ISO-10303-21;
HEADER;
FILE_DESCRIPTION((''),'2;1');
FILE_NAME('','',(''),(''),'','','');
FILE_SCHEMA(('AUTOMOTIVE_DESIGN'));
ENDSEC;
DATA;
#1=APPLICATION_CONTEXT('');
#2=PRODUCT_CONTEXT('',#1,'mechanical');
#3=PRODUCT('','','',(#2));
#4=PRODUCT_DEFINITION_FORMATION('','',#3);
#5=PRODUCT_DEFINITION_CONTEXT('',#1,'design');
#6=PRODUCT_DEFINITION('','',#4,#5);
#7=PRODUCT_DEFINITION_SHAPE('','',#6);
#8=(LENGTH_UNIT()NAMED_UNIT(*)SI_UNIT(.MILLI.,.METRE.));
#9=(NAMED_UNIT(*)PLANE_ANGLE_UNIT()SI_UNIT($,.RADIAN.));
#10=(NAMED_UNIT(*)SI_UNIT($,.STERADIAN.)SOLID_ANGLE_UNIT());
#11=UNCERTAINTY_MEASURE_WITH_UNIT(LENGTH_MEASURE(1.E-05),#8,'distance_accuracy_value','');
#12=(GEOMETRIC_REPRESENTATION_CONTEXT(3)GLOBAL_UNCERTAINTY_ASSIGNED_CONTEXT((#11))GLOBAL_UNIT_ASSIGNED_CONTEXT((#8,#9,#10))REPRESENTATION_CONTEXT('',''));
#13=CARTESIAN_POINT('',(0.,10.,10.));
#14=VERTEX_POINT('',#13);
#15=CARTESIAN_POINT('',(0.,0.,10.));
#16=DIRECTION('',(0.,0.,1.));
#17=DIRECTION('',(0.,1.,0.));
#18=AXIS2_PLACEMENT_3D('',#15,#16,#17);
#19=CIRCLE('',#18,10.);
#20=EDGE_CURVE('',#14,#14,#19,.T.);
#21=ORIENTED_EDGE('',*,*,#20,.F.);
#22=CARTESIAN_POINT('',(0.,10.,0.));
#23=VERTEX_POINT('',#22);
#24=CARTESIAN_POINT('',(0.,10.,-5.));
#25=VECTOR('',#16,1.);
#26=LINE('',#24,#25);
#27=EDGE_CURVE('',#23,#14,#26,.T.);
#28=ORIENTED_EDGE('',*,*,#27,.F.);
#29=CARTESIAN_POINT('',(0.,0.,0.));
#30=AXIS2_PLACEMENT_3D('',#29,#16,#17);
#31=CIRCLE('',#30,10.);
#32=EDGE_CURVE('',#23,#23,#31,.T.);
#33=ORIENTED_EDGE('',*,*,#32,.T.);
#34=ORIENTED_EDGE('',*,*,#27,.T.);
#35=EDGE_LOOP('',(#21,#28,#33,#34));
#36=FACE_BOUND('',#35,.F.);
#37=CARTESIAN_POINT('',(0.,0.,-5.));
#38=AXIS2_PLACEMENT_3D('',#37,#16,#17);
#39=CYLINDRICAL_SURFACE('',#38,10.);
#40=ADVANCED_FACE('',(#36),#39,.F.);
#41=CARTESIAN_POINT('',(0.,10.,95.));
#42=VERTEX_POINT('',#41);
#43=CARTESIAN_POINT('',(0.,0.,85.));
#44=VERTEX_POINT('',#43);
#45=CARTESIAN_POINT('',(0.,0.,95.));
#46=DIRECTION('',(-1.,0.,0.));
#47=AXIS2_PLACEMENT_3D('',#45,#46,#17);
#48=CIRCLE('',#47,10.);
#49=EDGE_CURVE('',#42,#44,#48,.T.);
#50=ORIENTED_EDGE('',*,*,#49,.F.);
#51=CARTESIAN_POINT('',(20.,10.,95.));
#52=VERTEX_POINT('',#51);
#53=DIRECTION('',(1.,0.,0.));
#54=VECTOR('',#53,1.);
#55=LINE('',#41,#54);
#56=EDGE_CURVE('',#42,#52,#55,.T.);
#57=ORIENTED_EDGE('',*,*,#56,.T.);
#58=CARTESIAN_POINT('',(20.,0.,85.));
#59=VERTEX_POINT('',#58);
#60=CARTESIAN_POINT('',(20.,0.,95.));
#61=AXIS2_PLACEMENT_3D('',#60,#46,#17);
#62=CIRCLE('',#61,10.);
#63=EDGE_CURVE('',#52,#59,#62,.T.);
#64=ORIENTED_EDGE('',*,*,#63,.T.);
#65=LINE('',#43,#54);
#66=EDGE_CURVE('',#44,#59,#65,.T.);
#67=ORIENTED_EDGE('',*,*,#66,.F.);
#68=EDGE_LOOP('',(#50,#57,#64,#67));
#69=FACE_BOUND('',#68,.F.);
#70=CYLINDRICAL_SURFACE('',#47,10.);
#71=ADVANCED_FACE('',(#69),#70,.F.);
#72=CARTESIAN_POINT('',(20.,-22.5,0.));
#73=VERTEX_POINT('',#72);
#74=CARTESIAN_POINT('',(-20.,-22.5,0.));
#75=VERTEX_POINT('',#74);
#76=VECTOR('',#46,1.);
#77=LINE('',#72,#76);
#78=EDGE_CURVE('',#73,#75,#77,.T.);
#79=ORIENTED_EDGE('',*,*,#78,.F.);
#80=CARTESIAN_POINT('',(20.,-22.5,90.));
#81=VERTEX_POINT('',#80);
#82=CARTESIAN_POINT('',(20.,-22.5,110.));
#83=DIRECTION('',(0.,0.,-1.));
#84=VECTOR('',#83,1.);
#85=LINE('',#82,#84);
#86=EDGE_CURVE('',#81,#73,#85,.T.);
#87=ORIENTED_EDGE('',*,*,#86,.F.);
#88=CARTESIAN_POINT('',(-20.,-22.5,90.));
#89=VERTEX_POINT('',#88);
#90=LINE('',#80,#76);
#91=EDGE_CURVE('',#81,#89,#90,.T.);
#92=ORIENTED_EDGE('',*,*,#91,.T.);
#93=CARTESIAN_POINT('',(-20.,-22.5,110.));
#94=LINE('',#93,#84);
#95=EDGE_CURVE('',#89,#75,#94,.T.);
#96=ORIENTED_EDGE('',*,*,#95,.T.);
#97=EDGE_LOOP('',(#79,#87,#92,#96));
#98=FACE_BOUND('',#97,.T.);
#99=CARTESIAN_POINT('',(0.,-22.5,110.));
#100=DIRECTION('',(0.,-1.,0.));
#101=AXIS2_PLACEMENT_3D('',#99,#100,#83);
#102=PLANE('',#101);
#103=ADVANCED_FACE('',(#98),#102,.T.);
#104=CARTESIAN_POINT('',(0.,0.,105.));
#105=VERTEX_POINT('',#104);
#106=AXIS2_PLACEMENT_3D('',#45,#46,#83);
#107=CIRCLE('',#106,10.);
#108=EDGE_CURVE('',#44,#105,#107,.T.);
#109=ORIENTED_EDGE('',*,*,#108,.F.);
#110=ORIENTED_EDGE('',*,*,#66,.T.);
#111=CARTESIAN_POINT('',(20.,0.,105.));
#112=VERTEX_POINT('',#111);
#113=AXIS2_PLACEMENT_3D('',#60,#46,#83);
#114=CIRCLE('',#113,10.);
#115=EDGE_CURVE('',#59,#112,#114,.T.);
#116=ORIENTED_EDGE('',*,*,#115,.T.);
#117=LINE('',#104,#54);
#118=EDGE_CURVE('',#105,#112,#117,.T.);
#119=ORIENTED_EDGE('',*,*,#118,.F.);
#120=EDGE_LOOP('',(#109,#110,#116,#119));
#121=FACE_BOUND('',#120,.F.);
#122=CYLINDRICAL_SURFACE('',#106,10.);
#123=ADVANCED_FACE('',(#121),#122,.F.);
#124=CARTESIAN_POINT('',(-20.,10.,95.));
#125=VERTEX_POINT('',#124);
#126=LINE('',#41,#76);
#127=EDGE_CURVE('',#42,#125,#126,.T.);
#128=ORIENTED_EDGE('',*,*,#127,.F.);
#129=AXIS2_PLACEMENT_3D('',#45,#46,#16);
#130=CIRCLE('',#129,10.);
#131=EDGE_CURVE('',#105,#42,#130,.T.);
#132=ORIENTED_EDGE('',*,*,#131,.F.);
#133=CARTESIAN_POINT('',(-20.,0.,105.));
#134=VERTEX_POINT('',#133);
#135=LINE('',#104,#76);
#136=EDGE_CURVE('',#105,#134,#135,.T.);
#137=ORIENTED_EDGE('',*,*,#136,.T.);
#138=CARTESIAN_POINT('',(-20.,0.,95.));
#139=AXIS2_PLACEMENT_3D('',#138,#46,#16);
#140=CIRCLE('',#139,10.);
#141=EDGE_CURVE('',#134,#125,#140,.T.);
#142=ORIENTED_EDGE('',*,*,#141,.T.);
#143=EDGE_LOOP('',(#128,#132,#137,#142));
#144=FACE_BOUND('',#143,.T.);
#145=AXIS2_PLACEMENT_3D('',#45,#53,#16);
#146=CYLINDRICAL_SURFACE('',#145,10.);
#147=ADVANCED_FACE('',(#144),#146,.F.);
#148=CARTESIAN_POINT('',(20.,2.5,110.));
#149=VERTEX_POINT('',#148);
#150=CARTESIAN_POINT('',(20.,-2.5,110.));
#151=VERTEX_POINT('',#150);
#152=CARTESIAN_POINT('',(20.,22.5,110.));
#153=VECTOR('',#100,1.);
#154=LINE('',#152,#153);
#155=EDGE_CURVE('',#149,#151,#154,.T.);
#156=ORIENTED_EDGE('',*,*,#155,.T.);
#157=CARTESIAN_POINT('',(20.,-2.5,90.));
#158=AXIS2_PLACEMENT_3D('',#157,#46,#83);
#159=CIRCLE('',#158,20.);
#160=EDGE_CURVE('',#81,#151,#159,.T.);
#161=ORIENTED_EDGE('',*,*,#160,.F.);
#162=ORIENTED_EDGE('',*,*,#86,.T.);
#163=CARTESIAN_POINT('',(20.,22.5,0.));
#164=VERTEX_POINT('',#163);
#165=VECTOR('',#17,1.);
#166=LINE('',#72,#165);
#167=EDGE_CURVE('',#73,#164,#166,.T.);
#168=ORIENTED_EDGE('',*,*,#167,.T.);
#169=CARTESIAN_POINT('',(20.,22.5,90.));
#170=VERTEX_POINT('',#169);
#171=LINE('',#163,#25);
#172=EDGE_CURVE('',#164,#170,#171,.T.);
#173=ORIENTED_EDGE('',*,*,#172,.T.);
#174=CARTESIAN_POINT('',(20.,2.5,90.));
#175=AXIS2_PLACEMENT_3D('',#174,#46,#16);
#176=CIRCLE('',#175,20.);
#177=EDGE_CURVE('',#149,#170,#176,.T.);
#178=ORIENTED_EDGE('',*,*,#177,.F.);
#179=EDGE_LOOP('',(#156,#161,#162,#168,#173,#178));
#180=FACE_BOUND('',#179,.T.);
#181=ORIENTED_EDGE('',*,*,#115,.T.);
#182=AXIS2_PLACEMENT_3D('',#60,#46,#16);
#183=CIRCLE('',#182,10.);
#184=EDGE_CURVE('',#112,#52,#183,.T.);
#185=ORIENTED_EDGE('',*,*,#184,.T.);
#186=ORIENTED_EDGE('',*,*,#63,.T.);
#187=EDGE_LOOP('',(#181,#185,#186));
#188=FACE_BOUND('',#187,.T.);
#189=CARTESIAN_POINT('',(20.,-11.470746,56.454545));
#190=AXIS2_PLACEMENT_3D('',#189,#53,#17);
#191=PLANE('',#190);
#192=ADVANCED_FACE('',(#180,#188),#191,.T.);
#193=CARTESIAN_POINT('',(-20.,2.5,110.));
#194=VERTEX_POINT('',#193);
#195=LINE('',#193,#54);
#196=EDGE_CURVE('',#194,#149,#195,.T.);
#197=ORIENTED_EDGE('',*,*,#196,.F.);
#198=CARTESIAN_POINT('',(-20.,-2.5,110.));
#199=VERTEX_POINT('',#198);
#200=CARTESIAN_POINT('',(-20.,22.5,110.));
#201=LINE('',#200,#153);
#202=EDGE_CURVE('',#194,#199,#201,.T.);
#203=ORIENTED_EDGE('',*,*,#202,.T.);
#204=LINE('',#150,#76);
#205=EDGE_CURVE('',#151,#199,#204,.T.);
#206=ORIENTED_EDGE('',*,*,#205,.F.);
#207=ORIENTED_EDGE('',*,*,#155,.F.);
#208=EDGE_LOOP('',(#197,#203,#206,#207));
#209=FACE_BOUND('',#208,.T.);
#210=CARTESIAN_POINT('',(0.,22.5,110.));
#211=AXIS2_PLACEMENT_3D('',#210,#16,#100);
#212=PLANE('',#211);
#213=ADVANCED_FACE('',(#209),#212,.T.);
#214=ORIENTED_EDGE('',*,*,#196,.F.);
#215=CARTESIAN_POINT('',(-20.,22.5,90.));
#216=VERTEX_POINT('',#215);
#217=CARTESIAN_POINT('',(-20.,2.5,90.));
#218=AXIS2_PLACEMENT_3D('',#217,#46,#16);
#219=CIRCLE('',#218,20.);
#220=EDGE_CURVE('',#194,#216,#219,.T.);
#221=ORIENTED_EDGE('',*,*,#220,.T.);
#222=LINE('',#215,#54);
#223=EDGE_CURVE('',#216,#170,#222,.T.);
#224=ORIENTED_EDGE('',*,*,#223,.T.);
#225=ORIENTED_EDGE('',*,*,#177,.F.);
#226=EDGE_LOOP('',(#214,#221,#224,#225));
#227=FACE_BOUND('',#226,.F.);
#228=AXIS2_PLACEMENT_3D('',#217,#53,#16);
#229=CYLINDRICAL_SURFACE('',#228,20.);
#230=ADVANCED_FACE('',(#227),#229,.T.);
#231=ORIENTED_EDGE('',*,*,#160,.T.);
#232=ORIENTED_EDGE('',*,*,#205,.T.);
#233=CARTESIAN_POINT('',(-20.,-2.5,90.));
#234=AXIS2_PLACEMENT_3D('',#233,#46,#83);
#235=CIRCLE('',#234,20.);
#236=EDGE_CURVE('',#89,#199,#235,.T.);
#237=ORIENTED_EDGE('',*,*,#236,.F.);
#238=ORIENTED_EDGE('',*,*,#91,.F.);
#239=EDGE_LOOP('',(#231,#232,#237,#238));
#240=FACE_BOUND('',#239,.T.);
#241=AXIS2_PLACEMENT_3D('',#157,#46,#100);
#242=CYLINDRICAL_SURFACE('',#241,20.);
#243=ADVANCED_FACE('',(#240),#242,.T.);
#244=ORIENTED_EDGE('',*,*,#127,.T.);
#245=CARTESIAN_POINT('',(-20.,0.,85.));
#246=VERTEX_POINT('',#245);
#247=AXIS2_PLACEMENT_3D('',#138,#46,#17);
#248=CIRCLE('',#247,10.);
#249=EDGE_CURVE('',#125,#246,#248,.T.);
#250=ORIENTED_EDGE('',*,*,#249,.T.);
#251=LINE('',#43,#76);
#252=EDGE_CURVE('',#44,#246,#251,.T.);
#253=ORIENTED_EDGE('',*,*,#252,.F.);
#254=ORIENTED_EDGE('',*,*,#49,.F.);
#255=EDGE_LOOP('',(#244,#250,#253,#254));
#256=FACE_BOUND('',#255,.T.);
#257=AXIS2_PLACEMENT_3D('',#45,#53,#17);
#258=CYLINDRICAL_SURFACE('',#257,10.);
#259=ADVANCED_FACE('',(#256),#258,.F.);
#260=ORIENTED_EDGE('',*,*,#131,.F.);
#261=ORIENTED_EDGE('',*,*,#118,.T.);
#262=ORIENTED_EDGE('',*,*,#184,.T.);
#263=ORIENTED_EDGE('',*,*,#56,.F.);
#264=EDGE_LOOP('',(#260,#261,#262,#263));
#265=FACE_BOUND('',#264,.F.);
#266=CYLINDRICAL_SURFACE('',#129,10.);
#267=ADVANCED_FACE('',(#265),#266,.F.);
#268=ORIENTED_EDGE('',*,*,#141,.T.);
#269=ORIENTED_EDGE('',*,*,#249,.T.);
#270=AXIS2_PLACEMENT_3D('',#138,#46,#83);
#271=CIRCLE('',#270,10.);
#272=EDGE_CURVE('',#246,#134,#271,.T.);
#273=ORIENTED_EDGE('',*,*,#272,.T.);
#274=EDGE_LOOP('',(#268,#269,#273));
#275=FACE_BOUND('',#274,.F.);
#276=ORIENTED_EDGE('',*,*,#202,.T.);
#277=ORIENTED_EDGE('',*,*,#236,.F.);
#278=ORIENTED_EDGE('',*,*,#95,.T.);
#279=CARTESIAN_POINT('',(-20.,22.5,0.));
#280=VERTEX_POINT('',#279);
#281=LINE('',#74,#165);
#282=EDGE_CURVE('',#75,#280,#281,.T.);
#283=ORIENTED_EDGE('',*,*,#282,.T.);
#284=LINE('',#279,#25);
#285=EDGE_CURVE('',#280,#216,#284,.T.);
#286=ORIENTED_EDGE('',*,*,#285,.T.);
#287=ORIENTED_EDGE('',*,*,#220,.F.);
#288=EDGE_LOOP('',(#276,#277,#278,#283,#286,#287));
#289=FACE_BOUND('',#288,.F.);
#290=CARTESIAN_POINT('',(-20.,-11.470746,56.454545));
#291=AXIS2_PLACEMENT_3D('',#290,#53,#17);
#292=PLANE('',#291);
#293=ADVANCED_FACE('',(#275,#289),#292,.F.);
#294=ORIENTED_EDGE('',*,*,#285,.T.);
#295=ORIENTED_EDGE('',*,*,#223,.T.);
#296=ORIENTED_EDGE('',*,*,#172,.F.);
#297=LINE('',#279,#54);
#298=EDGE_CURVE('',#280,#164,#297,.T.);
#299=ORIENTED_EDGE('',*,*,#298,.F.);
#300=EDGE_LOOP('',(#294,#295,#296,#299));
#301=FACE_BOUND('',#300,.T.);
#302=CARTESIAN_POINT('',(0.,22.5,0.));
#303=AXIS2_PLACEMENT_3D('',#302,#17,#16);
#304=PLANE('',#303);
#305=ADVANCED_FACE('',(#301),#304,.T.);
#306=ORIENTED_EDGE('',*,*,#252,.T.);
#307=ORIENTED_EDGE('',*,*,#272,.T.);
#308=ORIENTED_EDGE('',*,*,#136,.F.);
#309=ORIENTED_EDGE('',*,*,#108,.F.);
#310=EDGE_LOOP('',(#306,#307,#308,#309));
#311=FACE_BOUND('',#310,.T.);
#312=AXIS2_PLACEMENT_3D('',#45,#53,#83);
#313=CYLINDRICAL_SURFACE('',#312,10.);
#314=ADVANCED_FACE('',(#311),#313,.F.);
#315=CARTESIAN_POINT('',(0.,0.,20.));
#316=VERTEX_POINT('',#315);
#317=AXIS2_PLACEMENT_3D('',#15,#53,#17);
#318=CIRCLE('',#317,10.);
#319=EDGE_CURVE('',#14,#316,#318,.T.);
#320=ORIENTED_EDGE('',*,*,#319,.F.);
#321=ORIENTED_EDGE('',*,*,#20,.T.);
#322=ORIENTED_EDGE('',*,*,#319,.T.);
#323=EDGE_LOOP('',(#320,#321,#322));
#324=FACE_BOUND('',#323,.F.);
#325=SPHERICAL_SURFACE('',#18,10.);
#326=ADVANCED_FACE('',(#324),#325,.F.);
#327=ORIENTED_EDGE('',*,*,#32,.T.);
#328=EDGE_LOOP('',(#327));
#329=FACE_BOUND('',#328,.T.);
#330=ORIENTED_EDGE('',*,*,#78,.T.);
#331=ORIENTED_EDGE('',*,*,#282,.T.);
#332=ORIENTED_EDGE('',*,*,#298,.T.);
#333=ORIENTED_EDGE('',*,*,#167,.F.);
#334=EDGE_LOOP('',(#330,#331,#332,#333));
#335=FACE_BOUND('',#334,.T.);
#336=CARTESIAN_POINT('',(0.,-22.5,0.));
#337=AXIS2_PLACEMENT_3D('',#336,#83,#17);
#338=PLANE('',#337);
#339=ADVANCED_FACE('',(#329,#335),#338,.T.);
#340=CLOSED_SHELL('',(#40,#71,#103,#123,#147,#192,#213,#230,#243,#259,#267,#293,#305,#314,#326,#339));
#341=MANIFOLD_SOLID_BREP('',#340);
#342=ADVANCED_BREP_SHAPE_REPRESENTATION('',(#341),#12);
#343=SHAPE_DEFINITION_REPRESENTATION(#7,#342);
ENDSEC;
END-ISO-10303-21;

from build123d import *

# Parameters (mm, degrees)
F1_DEPTH = 20
F2_R     = 20


with BuildPart() as f1:
    # F0 (on Right) → F1 (new body, symmetric)
    with BuildSketch(Plane.YZ):
        with BuildLine():
            Line((-22.5, 0), (0, 0))
            Line((0, 0), (0, 85))
            ThreePointArc((0, 85), (-10, 95), (0, 105))
            Line((0, 105), (0, 110))
            Line((0, 110), (-22.5, 110))
            Line((-22.5, 110), (-22.5, 0))
        make_face()
        with BuildLine():
            Line((0, 0), (22.5, 0))
            Line((22.5, 0), (22.5, 110))
            Line((22.5, 110), (0, 110))
            Line((0, 110), (0, 105))
            ThreePointArc((0, 105), (7.0710678119, 102.0710678119), (10, 95))
            ThreePointArc((10, 95), (7.0710678119, 87.9289321881), (0, 85))
            Line((0, 85), (0, 0))
        make_face()
    extrude(amount=F1_DEPTH, both=True)

    # F2
    f2_edges = [f1.edges().sort_by_distance(p)[0] for p in [
        (0, -22.5, 110),
        (0, 22.5, 110),
    ]]
    fillet(f2_edges, radius=F2_R)

    # F3 (on Right) → F4 (revolve, cut)
    with BuildSketch(Plane.YZ):
        with BuildLine():
            Line((0, 20), (0, 0))
            Line((0, 0), (0, -5))
            Line((0, -5), (10, -5))
            Line((10, -5), (10, 0))
            Line((10, 0), (10, 10))
            ThreePointArc((10, 10), (7.0710678119, 17.0710678119), (0, 20))
        make_face()
    revolve(axis=Axis((0, 0, 10), (0, 0, 1)), mode=Mode.SUBTRACT)


solid = f1.part
